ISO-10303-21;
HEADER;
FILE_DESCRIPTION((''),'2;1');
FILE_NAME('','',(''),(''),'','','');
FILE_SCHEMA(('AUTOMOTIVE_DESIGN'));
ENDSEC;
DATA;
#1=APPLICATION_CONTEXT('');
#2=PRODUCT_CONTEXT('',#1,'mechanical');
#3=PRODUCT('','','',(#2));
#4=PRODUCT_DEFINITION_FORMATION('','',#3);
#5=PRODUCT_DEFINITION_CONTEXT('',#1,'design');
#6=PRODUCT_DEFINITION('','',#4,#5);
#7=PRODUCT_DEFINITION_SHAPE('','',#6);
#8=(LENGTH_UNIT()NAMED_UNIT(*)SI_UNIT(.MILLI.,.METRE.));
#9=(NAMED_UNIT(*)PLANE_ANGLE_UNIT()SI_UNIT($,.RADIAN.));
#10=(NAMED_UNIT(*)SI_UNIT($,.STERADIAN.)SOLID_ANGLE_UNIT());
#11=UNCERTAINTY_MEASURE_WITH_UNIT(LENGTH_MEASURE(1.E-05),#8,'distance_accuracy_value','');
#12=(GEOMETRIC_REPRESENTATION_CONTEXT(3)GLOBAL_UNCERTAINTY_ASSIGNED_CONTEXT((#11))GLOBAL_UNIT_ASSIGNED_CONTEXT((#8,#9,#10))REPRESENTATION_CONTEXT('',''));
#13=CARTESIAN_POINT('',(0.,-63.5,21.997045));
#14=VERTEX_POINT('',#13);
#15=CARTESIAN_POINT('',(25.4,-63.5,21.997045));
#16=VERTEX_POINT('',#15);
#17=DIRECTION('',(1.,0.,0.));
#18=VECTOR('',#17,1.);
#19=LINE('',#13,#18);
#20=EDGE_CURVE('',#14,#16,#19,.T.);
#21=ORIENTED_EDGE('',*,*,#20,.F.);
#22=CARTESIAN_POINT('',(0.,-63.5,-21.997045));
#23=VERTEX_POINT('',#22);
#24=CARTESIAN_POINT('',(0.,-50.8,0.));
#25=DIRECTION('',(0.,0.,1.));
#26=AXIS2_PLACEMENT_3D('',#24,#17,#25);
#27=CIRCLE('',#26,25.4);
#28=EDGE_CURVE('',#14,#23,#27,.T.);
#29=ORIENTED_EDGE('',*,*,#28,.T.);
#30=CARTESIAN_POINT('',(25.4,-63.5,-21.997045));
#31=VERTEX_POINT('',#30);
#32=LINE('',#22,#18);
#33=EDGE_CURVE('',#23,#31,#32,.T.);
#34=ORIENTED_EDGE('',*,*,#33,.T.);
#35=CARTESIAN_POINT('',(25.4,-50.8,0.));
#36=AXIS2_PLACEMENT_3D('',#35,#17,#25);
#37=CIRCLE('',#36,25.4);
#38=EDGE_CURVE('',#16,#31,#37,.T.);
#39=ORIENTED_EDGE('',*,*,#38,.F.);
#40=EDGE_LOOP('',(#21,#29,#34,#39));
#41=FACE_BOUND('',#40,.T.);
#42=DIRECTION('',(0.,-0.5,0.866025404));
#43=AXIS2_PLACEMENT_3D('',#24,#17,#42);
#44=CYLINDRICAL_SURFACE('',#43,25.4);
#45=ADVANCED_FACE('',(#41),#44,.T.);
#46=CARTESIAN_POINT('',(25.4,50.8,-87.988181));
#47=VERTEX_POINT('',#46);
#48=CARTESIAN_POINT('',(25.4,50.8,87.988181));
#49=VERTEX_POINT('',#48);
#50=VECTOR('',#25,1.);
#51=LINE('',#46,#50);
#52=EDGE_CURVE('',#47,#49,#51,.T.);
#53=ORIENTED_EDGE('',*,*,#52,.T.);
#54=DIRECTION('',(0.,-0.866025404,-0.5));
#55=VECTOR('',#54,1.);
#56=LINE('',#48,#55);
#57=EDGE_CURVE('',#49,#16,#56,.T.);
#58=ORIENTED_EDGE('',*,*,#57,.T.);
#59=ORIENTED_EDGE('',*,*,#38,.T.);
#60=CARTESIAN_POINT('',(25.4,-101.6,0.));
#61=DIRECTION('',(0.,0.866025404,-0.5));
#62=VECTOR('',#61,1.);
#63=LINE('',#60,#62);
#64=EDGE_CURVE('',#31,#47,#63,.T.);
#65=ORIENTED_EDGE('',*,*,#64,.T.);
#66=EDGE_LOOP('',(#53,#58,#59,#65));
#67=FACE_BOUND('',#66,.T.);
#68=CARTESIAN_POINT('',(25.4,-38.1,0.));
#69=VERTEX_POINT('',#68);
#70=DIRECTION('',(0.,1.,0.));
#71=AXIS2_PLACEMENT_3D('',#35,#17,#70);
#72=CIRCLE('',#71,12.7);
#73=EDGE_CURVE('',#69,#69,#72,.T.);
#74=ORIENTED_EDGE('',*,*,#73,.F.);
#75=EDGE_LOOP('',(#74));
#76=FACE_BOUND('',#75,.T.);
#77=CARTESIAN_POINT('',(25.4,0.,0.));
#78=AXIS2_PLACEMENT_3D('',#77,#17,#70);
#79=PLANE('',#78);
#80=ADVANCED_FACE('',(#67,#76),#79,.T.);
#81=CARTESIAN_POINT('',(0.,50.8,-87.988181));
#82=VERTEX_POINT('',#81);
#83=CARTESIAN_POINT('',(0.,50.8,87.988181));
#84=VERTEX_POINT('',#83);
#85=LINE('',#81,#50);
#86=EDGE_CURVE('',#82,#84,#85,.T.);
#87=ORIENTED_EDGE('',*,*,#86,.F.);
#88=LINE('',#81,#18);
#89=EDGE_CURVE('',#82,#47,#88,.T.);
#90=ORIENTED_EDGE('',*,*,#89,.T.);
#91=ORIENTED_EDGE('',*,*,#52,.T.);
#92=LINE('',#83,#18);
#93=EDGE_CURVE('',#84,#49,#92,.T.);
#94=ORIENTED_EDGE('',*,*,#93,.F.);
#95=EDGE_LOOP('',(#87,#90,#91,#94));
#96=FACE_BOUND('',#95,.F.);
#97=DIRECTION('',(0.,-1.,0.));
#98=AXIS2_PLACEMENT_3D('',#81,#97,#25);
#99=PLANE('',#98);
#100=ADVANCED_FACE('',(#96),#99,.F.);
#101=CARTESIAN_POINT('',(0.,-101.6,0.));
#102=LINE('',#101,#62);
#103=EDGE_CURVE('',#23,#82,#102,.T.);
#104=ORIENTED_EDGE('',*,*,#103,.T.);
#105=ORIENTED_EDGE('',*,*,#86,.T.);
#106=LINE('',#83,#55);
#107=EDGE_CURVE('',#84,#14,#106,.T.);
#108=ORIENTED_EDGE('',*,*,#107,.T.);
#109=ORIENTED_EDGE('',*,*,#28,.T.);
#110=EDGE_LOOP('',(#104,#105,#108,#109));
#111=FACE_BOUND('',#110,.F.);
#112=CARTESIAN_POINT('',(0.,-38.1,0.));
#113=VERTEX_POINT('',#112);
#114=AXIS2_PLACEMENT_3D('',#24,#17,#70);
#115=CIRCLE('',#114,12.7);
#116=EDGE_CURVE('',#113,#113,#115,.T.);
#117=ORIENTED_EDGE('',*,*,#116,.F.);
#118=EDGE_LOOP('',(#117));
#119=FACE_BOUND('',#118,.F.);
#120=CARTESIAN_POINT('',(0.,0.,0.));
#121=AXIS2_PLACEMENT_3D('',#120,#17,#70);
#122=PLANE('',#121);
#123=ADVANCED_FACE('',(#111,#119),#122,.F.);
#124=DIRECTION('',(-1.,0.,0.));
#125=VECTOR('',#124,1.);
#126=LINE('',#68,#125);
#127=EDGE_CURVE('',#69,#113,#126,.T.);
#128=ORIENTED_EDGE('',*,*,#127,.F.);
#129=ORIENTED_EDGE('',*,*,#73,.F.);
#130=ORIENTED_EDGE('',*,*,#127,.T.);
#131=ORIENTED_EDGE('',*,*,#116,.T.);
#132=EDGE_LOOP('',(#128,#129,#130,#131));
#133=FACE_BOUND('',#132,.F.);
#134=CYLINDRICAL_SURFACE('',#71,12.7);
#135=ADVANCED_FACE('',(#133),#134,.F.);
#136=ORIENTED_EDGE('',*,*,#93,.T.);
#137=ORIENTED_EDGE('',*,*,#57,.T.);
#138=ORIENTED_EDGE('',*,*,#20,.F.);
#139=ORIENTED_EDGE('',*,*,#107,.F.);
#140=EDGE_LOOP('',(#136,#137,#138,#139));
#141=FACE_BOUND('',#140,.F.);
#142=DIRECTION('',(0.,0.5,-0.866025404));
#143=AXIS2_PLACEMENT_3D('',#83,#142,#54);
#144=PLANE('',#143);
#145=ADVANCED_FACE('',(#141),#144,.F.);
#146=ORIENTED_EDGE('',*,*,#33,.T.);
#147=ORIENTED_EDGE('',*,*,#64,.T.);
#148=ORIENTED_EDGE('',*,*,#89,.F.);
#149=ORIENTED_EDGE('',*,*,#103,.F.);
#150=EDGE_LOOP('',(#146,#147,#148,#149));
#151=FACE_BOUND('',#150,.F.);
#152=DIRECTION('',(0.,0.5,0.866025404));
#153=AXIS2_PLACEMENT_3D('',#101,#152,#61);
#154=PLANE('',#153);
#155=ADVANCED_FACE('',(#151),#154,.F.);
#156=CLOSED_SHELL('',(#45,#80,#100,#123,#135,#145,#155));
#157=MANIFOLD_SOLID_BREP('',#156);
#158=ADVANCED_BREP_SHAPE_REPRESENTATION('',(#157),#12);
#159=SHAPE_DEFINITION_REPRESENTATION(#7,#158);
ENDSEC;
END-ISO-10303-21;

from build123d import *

# Parameters (mm, degrees)
F1_DEPTH = 25.4
F2_R     = 25.4
F3_R     = 12.7
F4_DEPTH = 25.4


with BuildPart() as f1:
    # F0 (on Right) → F1 (new body)
    with BuildSketch(Plane.YZ):
        Polygon((50.8, -76.2), (50.8, 76.2), (50.8, 87.988181), (-101.6, 0), (50.8, -87.988181), align=None)
    extrude(amount=F1_DEPTH)

    # F2
    f2_edges = [f1.edges().sort_by_distance(p)[0] for p in [
        (12.7, -101.6, 0),
    ]]
    fillet(f2_edges, radius=F2_R)

    # F3 (on face) → F4 (cut)
    with BuildSketch(Plane.YZ.offset(25.4)):
        with Locations((-50.8, 0)):
            Circle(F3_R)
    extrude(amount=-F4_DEPTH, mode=Mode.SUBTRACT)


solid = f1.part
